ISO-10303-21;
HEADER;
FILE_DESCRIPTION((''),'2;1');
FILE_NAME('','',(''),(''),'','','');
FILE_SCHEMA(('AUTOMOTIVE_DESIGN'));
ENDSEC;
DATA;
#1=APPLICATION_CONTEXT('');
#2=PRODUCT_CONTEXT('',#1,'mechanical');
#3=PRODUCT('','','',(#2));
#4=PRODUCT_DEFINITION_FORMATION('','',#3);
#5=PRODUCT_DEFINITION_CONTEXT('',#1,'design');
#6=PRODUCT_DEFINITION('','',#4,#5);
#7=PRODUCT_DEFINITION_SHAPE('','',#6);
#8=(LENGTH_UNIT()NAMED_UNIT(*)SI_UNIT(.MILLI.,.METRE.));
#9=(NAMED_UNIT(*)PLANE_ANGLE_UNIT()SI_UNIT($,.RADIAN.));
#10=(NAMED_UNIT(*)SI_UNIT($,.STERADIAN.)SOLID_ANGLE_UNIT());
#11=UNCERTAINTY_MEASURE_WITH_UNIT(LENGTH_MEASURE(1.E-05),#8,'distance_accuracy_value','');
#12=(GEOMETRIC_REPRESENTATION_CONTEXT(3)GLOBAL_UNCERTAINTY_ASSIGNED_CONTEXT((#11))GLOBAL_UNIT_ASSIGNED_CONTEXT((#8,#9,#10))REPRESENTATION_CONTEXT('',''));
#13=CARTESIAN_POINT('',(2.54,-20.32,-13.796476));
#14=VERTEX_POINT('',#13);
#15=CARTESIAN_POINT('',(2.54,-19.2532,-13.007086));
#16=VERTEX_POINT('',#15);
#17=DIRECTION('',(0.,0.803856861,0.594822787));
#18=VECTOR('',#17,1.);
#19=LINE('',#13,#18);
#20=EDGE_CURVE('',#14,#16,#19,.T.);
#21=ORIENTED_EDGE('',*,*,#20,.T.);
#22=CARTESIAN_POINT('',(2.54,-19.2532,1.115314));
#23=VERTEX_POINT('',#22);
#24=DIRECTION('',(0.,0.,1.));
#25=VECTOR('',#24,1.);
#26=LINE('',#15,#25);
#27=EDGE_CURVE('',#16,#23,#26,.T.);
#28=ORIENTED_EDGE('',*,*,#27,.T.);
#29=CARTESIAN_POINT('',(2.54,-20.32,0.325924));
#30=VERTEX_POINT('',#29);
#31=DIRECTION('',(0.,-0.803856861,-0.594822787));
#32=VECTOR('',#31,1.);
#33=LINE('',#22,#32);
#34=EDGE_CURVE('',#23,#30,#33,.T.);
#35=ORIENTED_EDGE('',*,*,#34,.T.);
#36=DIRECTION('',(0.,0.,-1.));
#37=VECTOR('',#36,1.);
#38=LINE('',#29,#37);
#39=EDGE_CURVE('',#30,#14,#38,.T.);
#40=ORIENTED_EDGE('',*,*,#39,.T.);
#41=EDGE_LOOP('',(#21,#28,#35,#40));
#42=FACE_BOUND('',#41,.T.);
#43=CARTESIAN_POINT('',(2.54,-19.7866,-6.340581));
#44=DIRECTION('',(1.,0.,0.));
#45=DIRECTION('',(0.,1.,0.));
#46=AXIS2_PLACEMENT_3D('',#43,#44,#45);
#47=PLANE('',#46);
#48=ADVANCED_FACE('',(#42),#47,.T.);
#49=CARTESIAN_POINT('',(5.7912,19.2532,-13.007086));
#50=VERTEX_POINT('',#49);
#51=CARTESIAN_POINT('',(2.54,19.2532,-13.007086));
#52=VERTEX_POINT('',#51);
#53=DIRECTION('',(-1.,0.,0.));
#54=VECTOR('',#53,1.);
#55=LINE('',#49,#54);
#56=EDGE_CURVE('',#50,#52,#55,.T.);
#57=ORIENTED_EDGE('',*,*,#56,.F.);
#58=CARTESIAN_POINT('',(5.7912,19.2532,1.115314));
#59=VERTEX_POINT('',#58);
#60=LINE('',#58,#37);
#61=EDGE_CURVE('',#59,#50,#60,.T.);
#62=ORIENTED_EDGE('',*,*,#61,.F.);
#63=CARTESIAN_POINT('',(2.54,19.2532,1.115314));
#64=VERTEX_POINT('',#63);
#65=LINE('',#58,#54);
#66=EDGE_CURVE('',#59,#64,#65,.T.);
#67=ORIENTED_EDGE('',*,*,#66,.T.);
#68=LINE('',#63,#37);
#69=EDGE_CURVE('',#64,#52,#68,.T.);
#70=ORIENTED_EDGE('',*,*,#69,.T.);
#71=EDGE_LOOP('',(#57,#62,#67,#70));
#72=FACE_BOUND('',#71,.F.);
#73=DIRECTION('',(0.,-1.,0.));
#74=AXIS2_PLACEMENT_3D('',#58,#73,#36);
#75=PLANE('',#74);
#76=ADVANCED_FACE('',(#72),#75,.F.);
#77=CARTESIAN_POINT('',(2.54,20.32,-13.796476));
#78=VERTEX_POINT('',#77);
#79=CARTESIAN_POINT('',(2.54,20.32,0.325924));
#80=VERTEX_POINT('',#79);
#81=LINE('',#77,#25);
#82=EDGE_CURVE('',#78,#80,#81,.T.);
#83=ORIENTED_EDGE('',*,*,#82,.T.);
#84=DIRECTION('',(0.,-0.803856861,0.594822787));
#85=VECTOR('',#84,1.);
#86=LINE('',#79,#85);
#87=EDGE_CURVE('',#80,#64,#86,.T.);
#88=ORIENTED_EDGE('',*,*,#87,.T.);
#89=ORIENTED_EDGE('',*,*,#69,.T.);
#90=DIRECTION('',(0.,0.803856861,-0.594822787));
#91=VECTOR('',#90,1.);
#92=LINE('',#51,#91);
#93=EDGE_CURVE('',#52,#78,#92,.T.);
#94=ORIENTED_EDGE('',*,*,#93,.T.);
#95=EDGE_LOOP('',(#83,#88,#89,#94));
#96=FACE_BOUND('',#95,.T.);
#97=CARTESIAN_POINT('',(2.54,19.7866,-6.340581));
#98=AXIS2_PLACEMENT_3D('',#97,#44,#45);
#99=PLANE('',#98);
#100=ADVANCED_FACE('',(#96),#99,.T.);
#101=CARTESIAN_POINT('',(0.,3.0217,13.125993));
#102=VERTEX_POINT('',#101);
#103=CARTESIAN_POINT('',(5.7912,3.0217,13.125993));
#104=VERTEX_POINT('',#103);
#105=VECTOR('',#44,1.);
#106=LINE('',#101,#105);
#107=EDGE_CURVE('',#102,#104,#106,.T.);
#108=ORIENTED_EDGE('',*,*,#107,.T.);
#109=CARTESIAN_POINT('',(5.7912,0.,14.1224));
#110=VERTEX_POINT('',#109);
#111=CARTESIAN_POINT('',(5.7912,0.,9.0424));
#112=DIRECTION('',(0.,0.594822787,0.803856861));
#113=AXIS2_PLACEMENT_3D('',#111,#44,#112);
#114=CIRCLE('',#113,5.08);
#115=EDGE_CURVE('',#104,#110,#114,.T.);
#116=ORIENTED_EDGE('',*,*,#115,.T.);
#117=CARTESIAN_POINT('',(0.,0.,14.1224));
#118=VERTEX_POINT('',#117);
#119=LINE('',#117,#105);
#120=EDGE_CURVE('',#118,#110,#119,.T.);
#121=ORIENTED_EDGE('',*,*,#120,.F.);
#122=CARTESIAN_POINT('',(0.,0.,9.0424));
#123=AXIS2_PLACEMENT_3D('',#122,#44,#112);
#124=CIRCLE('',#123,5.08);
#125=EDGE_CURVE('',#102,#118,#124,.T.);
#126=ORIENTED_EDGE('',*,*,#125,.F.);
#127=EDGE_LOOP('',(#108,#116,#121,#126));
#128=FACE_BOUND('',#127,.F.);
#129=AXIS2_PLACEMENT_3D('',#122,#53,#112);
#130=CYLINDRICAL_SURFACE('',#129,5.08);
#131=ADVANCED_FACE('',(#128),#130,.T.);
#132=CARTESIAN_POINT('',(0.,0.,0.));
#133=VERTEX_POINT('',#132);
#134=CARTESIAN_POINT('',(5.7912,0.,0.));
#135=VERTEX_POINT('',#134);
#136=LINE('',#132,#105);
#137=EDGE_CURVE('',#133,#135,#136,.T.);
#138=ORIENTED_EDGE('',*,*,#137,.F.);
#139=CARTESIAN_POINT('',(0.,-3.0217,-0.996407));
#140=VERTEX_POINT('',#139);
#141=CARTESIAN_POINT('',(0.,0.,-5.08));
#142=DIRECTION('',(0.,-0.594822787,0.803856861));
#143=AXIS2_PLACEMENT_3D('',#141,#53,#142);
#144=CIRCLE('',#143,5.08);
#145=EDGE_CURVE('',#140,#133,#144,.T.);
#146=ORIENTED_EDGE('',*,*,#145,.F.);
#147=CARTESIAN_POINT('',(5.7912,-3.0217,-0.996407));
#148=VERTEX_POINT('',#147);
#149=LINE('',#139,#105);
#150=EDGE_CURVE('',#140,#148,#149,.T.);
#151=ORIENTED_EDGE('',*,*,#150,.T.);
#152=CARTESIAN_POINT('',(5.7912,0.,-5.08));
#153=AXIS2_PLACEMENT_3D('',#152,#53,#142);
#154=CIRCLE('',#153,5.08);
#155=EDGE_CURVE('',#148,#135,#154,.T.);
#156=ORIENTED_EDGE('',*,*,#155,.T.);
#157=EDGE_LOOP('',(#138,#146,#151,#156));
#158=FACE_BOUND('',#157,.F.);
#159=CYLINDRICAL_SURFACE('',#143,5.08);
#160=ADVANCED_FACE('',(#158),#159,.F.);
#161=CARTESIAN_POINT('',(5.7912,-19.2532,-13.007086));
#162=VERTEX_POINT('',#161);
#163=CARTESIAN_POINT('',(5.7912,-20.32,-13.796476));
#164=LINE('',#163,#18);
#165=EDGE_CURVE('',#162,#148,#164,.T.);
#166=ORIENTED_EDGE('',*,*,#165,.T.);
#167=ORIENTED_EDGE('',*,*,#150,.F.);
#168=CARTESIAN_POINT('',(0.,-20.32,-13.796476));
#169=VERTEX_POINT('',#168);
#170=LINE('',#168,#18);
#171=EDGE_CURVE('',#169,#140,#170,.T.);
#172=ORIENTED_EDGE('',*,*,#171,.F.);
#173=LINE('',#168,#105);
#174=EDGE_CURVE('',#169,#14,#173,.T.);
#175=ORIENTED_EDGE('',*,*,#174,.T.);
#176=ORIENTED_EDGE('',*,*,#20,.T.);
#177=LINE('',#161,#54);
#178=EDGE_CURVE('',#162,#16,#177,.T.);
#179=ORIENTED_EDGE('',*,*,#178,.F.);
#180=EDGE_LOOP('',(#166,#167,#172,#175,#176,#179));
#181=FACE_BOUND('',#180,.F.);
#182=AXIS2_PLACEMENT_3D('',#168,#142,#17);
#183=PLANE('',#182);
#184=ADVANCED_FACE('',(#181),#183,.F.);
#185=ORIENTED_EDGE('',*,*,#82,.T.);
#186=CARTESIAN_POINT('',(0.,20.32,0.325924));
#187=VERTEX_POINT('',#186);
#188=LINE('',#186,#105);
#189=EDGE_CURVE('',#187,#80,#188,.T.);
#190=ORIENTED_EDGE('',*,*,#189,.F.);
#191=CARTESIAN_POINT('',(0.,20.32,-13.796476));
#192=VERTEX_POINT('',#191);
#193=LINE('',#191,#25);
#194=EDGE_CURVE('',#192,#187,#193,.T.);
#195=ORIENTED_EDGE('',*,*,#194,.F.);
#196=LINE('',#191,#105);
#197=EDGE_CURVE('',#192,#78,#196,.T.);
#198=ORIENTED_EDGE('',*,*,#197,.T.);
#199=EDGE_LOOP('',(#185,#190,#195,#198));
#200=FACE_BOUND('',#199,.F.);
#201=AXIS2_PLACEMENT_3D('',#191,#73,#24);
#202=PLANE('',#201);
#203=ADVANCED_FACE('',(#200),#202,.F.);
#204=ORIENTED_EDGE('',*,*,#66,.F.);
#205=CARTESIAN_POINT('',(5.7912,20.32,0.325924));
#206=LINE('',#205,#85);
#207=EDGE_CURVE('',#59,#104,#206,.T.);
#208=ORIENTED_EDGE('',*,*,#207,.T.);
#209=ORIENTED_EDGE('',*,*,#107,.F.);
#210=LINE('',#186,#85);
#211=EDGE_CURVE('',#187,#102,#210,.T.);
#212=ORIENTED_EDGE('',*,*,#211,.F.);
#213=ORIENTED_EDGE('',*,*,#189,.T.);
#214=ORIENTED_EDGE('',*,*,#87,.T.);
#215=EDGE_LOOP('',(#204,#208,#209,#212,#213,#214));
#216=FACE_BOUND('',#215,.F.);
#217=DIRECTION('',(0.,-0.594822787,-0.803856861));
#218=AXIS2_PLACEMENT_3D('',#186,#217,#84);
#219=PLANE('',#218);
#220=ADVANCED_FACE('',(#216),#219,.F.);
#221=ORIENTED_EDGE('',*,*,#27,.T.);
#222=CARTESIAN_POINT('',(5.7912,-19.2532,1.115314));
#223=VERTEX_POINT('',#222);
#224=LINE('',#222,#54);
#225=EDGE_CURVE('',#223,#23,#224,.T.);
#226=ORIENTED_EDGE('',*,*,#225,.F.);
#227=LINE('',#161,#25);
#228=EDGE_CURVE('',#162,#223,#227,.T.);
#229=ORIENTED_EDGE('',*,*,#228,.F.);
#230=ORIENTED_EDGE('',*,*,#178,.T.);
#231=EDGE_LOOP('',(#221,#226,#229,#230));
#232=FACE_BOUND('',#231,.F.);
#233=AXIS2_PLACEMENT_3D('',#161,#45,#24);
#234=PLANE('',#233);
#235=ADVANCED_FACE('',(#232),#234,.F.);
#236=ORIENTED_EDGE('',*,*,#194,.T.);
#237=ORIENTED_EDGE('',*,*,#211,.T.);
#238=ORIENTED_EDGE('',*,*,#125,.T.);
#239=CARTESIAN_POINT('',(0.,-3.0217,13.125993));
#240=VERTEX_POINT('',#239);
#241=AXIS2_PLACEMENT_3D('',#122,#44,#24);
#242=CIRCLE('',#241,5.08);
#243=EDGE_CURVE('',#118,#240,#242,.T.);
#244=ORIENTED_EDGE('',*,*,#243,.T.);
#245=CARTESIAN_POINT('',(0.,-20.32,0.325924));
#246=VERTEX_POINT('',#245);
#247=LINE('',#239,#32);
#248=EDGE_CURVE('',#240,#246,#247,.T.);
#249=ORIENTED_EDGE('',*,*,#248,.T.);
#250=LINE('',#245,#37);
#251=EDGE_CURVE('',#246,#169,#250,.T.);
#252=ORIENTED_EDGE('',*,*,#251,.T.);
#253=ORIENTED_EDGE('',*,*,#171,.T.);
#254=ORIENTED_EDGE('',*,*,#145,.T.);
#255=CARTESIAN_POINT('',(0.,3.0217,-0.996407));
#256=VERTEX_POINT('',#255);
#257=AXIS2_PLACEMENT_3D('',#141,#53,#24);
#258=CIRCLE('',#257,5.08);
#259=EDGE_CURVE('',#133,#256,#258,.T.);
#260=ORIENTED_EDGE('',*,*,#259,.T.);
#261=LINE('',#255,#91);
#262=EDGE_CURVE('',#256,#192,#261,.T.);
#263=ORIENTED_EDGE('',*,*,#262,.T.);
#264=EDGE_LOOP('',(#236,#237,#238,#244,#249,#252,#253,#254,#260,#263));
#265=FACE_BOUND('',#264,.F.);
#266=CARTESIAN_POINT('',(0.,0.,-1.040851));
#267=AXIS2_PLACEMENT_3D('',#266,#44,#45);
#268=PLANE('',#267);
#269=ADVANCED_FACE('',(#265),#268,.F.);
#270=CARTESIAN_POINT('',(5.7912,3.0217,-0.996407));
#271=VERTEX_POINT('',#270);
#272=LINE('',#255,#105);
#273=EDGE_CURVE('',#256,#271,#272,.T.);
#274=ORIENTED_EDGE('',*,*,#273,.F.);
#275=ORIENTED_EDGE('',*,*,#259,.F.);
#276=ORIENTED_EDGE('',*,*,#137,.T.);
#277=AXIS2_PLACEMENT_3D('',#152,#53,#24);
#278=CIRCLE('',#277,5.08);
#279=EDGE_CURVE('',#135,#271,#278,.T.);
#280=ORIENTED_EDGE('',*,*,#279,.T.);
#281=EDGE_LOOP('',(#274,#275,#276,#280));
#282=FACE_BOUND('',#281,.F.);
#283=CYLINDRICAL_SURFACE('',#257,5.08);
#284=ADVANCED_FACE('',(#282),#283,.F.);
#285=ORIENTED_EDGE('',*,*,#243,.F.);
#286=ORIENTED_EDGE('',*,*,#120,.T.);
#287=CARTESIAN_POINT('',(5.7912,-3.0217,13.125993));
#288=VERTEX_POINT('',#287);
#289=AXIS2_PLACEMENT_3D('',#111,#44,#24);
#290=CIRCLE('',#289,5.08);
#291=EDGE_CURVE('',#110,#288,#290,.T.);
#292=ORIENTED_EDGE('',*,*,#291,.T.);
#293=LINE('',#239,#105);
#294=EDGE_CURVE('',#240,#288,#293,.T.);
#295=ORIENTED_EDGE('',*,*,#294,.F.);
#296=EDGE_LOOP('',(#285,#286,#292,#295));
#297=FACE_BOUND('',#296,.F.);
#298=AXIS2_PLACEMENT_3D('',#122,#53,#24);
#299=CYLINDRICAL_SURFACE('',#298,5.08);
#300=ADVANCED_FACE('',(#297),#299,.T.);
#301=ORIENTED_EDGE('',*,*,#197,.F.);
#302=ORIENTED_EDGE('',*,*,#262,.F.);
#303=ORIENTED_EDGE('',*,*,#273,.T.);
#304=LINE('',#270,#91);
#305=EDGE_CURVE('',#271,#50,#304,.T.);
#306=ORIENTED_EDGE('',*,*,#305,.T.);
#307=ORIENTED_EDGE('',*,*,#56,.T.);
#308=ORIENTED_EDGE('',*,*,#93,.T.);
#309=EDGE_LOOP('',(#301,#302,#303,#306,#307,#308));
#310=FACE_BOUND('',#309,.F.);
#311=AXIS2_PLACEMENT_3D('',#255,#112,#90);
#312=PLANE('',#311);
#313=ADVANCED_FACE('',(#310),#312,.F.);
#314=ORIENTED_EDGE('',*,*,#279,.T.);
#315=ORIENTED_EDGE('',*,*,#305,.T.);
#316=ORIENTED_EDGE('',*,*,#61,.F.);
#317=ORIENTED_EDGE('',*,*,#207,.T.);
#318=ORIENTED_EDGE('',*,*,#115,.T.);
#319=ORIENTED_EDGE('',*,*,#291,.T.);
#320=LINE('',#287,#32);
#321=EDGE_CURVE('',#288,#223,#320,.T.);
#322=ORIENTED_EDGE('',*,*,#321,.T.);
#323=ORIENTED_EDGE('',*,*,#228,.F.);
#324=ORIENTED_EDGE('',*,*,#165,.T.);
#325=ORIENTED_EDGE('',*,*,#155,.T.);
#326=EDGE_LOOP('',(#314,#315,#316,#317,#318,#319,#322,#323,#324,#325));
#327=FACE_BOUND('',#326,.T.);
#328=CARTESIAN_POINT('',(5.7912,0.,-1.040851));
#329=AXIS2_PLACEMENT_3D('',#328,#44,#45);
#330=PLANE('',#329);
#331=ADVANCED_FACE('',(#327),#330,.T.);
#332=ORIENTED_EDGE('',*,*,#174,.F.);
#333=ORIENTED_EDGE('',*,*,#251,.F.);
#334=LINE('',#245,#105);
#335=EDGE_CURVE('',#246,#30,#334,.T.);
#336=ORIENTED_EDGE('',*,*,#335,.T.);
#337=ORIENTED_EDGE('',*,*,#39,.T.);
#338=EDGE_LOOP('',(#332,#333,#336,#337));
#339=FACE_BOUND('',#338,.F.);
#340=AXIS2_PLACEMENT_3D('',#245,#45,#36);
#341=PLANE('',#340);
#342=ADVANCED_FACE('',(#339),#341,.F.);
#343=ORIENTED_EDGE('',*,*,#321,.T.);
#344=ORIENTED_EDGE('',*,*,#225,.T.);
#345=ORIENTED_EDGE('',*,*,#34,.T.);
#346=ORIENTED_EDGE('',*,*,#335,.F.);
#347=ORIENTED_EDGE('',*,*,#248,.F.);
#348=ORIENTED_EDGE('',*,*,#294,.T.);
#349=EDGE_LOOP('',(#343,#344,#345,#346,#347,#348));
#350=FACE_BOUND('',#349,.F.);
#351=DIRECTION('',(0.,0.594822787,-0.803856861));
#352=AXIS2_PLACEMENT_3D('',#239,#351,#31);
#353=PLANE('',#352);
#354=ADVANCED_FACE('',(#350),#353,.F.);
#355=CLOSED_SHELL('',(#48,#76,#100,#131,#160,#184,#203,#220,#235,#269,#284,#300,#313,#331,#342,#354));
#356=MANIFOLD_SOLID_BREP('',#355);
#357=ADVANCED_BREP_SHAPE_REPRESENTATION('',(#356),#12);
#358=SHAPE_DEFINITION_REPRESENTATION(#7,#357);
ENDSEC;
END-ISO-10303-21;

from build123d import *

# Parameters (mm, degrees)
F1_DEPTH = 5.7912
F3_DEPTH = 3.2512


with BuildPart() as f1:
    # F0 (on Right) → F1 (new body)
    with BuildSketch(Plane.YZ):
        with BuildLine():
            Line((20.32, 0.3259240077), (3.0216997567, 13.1259928519))
            ThreePointArc((3.0216997567, 13.1259928519), (1.5908721369, 13.8668715611), (0, 14.1224))
            ThreePointArc((0, 14.1224), (-1.5908721369, 13.8668715611), (-3.0216997567, 13.1259928519))
            Line((-3.0216997567, 13.1259928519), (-20.32, 0.3259240077))
            Line((-20.32, 0.3259240077), (-20.32, -13.7964759923))
            Line((-20.32, -13.7964759923), (-3.0216997567, -0.9964071481))
            ThreePointArc((-3.0216997567, -0.9964071481), (-1.5908721369, -0.2555284389), (0, 0))
            ThreePointArc((0, 0), (1.5908721369, -0.2555284389), (3.0216997567, -0.9964071481))
            Line((3.0216997567, -0.9964071481), (20.32, -13.7964759923))
            Line((20.32, -13.7964759923), (20.32, 0.3259240077))
        make_face()
    extrude(amount=F1_DEPTH)

    # F2 (on face) → F3 (cut)
    with BuildSketch(Plane.YZ.offset(5.7912)):
        Polygon((19.2532, -13.0070855174), (20.32, -13.7964759923), (20.32, 0.3259240077), (19.2532, 1.1153144826), align=None)
        Polygon((-19.2532, -13.0070855174), (-19.2532, 1.1153144826), (-20.32, 0.3259240077), (-20.32, -13.7964759923), align=None)
    extrude(amount=-F3_DEPTH, mode=Mode.SUBTRACT)


solid = f1.part
